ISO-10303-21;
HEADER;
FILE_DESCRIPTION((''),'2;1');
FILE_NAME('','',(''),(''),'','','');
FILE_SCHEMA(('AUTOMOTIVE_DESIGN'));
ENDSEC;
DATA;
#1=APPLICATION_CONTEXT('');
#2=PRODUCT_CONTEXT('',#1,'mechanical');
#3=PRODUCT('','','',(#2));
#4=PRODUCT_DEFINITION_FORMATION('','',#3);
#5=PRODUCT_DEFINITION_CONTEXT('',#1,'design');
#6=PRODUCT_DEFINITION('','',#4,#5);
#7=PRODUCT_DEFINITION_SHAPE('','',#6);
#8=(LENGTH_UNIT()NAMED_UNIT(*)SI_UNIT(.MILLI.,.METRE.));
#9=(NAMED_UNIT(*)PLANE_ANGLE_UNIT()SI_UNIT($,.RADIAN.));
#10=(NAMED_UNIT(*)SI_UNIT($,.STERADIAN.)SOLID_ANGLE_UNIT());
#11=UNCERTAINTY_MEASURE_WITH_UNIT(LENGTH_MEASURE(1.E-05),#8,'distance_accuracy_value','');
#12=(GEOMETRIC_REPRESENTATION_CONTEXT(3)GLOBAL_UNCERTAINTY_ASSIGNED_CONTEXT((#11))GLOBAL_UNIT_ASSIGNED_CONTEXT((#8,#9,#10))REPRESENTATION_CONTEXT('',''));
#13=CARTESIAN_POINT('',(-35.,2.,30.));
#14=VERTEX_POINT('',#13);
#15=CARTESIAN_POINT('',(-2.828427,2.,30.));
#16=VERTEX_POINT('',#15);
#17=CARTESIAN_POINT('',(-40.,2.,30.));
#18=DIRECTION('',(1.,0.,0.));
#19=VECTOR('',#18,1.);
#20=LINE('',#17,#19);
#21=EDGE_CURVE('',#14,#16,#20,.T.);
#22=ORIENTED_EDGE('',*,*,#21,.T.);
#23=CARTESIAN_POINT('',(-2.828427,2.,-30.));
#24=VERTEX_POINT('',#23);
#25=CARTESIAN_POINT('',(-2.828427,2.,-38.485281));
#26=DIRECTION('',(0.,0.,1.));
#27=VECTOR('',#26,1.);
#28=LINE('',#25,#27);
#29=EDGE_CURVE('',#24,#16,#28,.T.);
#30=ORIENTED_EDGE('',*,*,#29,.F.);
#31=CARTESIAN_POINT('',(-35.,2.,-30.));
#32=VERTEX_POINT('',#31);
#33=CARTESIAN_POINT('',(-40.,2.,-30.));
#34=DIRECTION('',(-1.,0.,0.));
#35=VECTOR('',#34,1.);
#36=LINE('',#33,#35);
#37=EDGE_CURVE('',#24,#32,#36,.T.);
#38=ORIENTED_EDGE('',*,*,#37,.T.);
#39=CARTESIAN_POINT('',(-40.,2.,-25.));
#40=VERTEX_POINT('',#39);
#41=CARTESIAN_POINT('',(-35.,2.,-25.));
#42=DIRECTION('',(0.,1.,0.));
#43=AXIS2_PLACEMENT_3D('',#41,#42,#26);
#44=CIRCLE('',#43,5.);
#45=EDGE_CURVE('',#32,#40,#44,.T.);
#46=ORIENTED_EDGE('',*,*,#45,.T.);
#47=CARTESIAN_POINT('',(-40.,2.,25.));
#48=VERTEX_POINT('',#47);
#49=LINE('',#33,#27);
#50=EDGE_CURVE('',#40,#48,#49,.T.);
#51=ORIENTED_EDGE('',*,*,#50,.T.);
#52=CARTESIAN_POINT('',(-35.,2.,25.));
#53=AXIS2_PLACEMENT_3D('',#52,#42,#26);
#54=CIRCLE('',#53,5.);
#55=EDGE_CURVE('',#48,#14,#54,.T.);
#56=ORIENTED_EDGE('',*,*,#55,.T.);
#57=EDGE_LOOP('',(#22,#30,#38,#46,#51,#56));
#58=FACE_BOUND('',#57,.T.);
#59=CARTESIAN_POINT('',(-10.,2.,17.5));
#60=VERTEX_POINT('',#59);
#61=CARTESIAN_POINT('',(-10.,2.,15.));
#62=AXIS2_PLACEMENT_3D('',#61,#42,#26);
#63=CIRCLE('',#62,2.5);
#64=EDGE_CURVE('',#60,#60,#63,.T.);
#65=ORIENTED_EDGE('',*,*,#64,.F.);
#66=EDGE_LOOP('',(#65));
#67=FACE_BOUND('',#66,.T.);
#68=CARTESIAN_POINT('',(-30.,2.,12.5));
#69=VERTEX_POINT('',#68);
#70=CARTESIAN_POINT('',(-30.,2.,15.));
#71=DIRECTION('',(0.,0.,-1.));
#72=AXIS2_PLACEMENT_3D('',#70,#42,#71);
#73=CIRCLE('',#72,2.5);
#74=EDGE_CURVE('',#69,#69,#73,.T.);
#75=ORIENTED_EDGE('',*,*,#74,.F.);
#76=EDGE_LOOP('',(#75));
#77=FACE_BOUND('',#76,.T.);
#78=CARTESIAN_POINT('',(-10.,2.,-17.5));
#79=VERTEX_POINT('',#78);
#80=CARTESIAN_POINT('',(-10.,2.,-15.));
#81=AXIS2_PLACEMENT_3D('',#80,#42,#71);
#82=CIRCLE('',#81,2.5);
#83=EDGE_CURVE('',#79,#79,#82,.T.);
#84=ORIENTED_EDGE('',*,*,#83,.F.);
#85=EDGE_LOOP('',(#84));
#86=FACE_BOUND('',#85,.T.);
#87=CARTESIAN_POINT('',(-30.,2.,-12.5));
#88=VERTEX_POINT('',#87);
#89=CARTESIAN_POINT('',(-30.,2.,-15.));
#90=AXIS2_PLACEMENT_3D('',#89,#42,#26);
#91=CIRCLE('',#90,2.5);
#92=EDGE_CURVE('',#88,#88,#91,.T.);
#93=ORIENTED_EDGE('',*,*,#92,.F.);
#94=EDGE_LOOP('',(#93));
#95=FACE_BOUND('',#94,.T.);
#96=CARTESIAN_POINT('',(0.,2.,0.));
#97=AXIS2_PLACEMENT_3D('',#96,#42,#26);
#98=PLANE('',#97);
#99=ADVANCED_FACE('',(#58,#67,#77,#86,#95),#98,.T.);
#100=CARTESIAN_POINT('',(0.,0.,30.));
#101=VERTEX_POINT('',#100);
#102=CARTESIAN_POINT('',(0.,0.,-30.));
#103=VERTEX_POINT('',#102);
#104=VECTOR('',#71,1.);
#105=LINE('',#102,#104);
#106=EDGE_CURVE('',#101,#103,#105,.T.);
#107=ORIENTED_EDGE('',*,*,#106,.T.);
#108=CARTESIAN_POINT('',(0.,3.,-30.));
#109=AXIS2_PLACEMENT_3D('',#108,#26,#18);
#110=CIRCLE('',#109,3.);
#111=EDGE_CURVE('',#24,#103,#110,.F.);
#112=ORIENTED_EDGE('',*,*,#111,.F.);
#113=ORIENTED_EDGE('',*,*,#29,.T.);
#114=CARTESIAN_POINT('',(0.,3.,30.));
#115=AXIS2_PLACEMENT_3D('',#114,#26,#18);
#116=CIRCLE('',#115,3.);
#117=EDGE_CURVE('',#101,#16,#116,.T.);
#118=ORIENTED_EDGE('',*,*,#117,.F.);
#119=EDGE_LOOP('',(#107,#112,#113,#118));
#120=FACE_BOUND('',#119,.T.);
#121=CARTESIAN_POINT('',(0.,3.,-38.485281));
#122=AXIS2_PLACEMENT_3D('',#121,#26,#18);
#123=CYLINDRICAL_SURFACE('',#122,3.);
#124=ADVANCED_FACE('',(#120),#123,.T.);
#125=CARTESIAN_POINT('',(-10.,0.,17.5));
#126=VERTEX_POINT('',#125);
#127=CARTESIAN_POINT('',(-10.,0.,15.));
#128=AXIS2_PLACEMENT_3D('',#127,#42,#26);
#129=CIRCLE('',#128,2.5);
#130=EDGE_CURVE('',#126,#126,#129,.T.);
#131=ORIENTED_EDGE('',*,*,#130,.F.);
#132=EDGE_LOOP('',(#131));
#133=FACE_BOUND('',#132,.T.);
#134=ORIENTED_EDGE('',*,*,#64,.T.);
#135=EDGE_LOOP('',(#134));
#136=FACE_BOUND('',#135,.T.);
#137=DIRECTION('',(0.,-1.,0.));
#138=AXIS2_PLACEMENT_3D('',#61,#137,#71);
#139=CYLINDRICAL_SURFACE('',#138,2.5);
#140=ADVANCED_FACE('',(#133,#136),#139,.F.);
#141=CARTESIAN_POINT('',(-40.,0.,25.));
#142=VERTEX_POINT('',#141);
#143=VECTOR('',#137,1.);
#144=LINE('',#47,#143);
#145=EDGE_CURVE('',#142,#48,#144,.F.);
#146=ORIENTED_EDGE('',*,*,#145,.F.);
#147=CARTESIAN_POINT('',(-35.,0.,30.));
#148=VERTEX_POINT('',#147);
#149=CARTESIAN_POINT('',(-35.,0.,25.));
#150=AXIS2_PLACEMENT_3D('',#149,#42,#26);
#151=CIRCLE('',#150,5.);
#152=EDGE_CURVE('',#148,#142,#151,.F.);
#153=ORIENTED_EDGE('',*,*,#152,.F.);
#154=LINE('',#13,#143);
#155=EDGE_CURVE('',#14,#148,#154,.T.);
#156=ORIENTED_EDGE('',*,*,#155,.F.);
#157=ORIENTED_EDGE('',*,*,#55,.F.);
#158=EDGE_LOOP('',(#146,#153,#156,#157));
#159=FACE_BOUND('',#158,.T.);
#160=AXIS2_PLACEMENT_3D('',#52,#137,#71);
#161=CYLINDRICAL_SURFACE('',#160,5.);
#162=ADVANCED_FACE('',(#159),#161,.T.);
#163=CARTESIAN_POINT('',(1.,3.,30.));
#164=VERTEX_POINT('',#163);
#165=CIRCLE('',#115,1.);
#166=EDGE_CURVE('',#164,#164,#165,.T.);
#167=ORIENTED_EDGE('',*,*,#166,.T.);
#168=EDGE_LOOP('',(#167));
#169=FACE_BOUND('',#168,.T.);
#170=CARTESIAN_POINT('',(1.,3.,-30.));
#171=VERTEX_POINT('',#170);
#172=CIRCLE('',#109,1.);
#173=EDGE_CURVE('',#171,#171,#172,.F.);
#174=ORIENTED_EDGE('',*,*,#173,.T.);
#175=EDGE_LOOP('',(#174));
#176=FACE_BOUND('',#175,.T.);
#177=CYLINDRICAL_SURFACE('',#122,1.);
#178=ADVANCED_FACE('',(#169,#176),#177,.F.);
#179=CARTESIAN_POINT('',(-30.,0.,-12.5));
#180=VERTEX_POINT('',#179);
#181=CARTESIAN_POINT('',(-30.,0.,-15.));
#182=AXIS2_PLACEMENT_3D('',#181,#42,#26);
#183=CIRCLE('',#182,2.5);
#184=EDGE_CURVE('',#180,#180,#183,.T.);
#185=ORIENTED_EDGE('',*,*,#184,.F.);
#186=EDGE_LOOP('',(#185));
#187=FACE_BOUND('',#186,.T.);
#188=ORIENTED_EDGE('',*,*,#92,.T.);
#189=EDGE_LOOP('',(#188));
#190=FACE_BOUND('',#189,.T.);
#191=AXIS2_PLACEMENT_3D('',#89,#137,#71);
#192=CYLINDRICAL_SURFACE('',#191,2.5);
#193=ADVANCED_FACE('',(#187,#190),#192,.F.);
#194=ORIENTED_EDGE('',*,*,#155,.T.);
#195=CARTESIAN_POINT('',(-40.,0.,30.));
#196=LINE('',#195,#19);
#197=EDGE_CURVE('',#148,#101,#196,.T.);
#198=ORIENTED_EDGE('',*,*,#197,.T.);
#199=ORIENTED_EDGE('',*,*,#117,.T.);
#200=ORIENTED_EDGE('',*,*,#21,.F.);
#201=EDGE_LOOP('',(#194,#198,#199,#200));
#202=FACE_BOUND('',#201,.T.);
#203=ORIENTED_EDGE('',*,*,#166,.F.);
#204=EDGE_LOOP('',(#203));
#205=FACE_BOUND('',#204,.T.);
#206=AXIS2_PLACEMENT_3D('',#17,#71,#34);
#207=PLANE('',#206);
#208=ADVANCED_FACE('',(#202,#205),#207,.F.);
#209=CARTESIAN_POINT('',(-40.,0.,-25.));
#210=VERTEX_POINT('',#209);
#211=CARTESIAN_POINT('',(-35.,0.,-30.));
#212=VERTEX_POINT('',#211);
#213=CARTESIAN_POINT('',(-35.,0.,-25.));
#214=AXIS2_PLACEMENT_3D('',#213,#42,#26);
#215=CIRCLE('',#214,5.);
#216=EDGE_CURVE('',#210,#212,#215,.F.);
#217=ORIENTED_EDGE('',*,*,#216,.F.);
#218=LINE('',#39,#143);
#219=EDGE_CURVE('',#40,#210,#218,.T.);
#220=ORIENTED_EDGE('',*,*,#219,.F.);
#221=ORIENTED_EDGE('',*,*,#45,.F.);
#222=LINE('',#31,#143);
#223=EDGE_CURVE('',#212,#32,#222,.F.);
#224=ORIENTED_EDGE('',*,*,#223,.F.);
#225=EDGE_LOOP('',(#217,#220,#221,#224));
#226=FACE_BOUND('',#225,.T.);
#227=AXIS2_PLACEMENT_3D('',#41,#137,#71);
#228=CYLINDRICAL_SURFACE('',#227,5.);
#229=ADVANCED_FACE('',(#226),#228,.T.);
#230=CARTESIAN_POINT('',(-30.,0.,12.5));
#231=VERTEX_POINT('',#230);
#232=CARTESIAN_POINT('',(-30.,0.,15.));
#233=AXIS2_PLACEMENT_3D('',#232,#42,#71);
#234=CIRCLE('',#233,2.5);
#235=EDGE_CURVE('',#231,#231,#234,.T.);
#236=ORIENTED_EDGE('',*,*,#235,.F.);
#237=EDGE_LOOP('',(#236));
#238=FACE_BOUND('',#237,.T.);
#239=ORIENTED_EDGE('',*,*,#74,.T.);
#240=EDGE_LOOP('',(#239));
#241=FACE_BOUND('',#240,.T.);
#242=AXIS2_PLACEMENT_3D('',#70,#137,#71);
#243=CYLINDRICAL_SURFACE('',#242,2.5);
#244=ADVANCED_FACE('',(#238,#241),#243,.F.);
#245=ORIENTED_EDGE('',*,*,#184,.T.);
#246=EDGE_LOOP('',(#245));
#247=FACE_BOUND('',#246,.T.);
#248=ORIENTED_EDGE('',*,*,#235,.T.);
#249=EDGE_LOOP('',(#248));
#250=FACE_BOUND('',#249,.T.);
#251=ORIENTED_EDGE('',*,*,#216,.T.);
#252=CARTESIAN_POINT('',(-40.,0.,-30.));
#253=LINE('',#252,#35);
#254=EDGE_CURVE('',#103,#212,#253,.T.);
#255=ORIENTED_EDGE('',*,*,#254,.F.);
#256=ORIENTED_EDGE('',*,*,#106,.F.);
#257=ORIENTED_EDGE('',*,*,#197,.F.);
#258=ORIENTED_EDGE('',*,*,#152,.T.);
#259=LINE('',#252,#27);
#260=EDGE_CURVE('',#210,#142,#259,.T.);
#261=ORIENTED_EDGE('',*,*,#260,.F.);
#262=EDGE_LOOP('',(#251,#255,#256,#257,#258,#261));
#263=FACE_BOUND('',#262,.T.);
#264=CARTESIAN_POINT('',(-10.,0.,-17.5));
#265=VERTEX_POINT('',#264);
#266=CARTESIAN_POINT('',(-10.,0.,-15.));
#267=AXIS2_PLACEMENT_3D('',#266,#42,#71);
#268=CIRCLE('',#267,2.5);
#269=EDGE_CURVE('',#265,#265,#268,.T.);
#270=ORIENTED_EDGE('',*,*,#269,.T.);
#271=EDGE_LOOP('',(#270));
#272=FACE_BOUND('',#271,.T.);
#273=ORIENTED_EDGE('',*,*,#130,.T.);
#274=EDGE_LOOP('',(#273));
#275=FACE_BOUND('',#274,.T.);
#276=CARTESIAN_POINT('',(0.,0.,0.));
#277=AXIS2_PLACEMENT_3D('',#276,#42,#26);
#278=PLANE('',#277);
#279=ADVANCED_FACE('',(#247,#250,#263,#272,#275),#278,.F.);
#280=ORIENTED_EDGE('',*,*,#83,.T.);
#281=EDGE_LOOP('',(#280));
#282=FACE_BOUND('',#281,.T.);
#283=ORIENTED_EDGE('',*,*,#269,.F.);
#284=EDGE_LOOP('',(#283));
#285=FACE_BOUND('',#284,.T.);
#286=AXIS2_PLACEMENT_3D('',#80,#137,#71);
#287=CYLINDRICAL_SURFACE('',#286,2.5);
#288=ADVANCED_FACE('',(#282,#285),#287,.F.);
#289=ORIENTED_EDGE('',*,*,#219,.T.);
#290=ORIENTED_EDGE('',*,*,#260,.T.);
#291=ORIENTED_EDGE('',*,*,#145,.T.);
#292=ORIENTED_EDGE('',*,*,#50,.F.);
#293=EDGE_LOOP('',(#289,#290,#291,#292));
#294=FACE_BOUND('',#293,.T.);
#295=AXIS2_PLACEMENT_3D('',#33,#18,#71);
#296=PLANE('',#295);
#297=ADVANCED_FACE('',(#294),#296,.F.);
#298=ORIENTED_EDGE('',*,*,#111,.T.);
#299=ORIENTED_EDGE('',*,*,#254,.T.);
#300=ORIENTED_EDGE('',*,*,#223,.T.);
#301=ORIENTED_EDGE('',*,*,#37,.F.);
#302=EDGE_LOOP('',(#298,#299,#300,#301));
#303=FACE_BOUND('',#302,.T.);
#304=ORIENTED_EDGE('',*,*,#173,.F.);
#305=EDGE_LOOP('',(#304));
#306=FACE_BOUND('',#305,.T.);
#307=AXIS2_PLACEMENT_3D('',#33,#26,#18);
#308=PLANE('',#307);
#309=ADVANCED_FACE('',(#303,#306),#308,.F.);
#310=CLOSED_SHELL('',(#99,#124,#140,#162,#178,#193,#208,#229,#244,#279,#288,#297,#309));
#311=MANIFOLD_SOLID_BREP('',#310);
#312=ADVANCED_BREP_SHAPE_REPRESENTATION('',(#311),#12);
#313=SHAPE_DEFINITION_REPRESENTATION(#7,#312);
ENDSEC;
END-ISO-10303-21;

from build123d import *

# Parameters (mm, degrees)
SKETCH1_W           = 40
SKETCH1_H           = 60
SKETCH1_R           = 2.5
BOSS_EXTRUDE1_DEPTH = 2
FILLET1_R           = 5
SKETCH2_R           = 3
SKETCH2_R_2         = 1
BOSS_EXTRUDE2_DEPTH = 60


with BuildPart() as part:
    # Sketch1 → Boss-Extrude1 (new body)
    with BuildSketch(Plane(origin=(0, 0, 0), x_dir=(1, 0, 0), z_dir=(0, 1, 0))):
        with Locations((-20, 0)):
            Rectangle(SKETCH1_W, SKETCH1_H)
        with Locations((-30, 15)):
            Circle(SKETCH1_R, mode=Mode.SUBTRACT)
        with Locations((-10, 15)):
            Circle(SKETCH1_R, mode=Mode.SUBTRACT)
        with Locations((-10, -15)):
            Circle(SKETCH1_R, mode=Mode.SUBTRACT)
        with Locations((-30, -15)):
            Circle(SKETCH1_R, mode=Mode.SUBTRACT)
    extrude(amount=BOSS_EXTRUDE1_DEPTH)

    # Fillet1
    fillet1_edges = [part.edges().sort_by_distance(p)[0] for p in [
        (-40, 1, 30),
        (-40, 1, -30),
    ]]
    fillet(fillet1_edges, radius=FILLET1_R)

    # Sketch2 → Boss-Extrude2 (add)
    with BuildSketch(Plane.XY.offset(30)):
        with Locations((0, 3)):
            Circle(SKETCH2_R)
        with Locations((0, 3)):
            Circle(SKETCH2_R_2, mode=Mode.SUBTRACT)
    extrude(amount=-BOSS_EXTRUDE2_DEPTH)


solid = part.part
